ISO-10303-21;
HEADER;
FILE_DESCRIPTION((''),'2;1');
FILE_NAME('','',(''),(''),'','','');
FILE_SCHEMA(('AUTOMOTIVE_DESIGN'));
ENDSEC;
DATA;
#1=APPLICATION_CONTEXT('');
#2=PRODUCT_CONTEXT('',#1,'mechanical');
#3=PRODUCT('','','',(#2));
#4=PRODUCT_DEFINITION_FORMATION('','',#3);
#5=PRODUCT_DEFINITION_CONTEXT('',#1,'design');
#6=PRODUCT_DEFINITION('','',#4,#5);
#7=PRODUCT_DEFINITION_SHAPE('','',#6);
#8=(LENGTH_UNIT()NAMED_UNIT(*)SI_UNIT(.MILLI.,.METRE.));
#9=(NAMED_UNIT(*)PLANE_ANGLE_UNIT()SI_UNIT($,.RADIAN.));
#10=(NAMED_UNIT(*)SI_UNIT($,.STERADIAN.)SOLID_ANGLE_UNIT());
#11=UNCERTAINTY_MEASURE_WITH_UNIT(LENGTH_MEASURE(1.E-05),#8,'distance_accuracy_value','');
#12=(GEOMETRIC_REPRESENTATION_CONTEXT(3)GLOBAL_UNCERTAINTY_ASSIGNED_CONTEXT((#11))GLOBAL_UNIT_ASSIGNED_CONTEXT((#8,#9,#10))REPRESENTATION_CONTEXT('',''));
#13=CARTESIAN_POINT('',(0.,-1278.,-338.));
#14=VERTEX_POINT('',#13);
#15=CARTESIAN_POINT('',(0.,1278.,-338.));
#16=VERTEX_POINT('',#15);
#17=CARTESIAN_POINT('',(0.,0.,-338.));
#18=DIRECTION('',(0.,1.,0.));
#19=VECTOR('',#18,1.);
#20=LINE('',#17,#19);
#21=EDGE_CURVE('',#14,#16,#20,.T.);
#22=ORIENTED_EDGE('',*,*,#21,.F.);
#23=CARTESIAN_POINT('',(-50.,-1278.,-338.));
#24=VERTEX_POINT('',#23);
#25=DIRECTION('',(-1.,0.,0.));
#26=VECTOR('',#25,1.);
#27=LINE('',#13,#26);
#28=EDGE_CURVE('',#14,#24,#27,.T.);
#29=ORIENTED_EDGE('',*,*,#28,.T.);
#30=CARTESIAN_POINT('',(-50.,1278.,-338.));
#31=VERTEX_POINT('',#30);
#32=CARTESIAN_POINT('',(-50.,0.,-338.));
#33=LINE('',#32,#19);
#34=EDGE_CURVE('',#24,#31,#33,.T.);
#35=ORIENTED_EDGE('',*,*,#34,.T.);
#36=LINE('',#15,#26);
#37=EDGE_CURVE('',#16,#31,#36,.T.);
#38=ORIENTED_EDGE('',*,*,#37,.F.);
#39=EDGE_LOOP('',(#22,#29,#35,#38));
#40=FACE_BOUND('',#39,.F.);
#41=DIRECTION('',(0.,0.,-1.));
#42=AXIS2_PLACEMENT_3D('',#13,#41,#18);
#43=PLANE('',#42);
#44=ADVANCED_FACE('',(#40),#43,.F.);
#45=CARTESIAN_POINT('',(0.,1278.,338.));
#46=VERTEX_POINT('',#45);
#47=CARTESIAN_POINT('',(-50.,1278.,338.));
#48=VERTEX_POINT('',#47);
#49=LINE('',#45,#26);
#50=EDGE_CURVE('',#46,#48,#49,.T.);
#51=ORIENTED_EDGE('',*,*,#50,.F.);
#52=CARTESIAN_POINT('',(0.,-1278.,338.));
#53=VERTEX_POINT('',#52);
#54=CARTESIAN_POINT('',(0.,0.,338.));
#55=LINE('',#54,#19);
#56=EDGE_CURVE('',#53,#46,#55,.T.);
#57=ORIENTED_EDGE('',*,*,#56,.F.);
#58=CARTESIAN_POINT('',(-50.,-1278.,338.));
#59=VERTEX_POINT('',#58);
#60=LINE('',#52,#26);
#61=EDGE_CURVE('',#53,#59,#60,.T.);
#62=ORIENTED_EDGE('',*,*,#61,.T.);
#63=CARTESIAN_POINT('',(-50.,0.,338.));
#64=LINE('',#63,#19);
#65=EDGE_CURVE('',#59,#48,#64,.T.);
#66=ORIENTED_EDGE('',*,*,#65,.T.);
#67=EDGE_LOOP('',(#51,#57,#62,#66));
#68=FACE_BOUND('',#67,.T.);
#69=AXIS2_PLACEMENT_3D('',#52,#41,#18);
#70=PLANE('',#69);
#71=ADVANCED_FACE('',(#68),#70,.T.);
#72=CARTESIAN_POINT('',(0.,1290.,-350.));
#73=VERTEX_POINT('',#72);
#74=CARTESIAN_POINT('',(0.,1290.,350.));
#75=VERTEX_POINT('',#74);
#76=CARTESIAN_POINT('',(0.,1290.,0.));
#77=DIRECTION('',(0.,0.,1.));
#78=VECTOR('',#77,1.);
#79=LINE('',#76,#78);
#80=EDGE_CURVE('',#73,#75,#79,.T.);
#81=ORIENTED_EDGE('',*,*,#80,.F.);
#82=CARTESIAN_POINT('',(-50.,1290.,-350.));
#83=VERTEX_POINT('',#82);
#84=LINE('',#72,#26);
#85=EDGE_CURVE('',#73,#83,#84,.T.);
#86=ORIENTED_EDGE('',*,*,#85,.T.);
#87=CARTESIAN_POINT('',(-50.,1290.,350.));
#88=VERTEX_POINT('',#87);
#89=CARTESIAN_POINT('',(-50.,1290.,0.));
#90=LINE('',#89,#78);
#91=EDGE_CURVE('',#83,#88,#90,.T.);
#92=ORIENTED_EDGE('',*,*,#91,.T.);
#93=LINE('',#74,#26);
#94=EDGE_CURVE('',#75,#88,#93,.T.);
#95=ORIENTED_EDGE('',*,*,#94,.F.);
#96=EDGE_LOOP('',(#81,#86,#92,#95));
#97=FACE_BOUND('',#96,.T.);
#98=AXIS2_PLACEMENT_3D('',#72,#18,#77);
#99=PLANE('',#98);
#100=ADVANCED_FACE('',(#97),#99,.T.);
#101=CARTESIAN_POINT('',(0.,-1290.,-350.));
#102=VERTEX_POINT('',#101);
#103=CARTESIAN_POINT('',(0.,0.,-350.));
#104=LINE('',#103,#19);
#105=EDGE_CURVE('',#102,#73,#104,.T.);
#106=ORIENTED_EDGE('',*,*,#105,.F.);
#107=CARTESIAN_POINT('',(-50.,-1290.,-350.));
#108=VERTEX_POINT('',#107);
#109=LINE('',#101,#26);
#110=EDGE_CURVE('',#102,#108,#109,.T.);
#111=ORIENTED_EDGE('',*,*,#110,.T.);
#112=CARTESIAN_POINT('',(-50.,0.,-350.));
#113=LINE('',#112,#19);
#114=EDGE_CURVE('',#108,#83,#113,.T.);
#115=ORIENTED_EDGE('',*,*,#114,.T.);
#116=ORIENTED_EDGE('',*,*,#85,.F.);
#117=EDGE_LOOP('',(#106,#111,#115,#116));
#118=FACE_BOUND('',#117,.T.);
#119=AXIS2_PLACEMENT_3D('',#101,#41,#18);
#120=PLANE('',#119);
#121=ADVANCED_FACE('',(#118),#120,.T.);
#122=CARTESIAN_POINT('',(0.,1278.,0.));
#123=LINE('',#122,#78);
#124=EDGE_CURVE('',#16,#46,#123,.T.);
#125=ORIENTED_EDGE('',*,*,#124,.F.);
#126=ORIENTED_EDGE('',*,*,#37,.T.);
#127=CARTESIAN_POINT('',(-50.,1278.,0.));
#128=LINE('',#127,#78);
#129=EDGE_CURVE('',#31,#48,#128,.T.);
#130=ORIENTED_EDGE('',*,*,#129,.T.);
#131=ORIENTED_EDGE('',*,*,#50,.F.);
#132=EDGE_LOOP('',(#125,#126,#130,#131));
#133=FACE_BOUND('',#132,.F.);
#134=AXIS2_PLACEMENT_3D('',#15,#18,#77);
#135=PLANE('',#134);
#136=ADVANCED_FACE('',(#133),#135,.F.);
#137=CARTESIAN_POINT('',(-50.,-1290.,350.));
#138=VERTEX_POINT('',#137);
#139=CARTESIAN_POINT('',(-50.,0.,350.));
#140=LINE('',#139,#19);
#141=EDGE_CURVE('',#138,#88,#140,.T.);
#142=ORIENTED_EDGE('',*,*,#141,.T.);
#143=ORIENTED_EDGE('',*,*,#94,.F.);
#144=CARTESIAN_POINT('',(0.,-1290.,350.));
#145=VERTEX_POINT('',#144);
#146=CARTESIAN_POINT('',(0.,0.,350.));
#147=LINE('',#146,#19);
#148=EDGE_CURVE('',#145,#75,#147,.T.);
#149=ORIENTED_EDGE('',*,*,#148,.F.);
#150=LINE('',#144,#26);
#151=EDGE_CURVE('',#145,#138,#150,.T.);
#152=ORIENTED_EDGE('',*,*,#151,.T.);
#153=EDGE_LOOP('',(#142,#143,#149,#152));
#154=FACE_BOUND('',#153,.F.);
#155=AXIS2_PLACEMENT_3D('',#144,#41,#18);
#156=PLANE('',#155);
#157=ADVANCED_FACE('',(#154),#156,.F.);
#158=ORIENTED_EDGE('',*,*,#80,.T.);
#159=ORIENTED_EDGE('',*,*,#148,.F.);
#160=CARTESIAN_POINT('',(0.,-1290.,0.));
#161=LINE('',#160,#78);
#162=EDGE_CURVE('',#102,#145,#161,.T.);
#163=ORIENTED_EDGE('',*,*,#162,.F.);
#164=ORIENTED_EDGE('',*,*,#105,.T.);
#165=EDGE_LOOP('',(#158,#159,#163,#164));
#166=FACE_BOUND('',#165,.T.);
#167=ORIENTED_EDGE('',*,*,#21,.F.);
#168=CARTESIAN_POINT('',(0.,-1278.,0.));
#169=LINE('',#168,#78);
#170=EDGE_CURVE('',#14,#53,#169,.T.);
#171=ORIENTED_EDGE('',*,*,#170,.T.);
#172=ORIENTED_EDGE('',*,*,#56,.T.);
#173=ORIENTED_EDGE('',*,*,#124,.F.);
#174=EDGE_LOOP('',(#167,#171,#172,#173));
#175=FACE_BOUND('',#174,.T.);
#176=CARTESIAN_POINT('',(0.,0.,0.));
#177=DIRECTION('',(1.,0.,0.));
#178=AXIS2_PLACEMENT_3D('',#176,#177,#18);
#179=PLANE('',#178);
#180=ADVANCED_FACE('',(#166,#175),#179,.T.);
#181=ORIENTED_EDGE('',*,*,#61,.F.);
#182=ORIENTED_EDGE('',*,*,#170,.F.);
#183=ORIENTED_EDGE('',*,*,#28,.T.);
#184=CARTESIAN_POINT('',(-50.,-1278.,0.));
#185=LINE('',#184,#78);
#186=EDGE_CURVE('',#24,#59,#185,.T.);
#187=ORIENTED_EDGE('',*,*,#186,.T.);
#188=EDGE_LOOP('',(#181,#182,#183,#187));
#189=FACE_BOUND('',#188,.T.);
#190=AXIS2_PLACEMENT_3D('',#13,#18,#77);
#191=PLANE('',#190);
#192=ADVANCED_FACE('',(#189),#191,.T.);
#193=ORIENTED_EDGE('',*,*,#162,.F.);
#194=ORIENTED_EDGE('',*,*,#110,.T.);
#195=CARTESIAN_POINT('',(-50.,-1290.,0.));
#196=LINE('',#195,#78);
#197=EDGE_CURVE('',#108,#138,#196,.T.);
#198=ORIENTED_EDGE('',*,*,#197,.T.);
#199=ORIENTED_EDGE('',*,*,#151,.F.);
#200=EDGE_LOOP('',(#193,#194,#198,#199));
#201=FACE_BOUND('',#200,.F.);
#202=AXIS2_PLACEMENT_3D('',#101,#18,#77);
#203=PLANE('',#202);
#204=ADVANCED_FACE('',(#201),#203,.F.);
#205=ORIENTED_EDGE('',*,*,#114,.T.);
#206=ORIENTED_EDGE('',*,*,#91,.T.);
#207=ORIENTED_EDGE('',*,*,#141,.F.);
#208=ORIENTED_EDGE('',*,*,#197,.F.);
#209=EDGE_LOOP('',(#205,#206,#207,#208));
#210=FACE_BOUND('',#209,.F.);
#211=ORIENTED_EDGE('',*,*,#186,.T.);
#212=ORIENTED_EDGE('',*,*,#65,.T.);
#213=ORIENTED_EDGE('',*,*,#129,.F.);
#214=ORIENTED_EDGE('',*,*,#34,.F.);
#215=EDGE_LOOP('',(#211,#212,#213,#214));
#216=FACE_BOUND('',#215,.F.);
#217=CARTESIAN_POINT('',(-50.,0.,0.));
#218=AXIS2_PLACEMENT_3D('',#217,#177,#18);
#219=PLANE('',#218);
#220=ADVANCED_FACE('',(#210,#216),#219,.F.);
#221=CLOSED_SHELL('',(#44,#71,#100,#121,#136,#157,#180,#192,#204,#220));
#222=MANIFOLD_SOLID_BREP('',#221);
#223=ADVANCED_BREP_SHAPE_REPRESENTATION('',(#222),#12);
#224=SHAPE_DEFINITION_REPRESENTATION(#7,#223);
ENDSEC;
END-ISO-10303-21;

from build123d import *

# Parameters (mm, degrees)
F0_W     = 2580
F0_H     = 700
F0_W_2   = 2556
F0_H_2   = 676
F1_DEPTH = 50


with BuildPart() as f1:
    # F0 (on Right) → F1 (new body)
    with BuildSketch(Plane.YZ):
        Rectangle(F0_W, F0_H)
        Rectangle(F0_W_2, F0_H_2, mode=Mode.SUBTRACT)
    extrude(amount=-F1_DEPTH)


solid = f1.part
